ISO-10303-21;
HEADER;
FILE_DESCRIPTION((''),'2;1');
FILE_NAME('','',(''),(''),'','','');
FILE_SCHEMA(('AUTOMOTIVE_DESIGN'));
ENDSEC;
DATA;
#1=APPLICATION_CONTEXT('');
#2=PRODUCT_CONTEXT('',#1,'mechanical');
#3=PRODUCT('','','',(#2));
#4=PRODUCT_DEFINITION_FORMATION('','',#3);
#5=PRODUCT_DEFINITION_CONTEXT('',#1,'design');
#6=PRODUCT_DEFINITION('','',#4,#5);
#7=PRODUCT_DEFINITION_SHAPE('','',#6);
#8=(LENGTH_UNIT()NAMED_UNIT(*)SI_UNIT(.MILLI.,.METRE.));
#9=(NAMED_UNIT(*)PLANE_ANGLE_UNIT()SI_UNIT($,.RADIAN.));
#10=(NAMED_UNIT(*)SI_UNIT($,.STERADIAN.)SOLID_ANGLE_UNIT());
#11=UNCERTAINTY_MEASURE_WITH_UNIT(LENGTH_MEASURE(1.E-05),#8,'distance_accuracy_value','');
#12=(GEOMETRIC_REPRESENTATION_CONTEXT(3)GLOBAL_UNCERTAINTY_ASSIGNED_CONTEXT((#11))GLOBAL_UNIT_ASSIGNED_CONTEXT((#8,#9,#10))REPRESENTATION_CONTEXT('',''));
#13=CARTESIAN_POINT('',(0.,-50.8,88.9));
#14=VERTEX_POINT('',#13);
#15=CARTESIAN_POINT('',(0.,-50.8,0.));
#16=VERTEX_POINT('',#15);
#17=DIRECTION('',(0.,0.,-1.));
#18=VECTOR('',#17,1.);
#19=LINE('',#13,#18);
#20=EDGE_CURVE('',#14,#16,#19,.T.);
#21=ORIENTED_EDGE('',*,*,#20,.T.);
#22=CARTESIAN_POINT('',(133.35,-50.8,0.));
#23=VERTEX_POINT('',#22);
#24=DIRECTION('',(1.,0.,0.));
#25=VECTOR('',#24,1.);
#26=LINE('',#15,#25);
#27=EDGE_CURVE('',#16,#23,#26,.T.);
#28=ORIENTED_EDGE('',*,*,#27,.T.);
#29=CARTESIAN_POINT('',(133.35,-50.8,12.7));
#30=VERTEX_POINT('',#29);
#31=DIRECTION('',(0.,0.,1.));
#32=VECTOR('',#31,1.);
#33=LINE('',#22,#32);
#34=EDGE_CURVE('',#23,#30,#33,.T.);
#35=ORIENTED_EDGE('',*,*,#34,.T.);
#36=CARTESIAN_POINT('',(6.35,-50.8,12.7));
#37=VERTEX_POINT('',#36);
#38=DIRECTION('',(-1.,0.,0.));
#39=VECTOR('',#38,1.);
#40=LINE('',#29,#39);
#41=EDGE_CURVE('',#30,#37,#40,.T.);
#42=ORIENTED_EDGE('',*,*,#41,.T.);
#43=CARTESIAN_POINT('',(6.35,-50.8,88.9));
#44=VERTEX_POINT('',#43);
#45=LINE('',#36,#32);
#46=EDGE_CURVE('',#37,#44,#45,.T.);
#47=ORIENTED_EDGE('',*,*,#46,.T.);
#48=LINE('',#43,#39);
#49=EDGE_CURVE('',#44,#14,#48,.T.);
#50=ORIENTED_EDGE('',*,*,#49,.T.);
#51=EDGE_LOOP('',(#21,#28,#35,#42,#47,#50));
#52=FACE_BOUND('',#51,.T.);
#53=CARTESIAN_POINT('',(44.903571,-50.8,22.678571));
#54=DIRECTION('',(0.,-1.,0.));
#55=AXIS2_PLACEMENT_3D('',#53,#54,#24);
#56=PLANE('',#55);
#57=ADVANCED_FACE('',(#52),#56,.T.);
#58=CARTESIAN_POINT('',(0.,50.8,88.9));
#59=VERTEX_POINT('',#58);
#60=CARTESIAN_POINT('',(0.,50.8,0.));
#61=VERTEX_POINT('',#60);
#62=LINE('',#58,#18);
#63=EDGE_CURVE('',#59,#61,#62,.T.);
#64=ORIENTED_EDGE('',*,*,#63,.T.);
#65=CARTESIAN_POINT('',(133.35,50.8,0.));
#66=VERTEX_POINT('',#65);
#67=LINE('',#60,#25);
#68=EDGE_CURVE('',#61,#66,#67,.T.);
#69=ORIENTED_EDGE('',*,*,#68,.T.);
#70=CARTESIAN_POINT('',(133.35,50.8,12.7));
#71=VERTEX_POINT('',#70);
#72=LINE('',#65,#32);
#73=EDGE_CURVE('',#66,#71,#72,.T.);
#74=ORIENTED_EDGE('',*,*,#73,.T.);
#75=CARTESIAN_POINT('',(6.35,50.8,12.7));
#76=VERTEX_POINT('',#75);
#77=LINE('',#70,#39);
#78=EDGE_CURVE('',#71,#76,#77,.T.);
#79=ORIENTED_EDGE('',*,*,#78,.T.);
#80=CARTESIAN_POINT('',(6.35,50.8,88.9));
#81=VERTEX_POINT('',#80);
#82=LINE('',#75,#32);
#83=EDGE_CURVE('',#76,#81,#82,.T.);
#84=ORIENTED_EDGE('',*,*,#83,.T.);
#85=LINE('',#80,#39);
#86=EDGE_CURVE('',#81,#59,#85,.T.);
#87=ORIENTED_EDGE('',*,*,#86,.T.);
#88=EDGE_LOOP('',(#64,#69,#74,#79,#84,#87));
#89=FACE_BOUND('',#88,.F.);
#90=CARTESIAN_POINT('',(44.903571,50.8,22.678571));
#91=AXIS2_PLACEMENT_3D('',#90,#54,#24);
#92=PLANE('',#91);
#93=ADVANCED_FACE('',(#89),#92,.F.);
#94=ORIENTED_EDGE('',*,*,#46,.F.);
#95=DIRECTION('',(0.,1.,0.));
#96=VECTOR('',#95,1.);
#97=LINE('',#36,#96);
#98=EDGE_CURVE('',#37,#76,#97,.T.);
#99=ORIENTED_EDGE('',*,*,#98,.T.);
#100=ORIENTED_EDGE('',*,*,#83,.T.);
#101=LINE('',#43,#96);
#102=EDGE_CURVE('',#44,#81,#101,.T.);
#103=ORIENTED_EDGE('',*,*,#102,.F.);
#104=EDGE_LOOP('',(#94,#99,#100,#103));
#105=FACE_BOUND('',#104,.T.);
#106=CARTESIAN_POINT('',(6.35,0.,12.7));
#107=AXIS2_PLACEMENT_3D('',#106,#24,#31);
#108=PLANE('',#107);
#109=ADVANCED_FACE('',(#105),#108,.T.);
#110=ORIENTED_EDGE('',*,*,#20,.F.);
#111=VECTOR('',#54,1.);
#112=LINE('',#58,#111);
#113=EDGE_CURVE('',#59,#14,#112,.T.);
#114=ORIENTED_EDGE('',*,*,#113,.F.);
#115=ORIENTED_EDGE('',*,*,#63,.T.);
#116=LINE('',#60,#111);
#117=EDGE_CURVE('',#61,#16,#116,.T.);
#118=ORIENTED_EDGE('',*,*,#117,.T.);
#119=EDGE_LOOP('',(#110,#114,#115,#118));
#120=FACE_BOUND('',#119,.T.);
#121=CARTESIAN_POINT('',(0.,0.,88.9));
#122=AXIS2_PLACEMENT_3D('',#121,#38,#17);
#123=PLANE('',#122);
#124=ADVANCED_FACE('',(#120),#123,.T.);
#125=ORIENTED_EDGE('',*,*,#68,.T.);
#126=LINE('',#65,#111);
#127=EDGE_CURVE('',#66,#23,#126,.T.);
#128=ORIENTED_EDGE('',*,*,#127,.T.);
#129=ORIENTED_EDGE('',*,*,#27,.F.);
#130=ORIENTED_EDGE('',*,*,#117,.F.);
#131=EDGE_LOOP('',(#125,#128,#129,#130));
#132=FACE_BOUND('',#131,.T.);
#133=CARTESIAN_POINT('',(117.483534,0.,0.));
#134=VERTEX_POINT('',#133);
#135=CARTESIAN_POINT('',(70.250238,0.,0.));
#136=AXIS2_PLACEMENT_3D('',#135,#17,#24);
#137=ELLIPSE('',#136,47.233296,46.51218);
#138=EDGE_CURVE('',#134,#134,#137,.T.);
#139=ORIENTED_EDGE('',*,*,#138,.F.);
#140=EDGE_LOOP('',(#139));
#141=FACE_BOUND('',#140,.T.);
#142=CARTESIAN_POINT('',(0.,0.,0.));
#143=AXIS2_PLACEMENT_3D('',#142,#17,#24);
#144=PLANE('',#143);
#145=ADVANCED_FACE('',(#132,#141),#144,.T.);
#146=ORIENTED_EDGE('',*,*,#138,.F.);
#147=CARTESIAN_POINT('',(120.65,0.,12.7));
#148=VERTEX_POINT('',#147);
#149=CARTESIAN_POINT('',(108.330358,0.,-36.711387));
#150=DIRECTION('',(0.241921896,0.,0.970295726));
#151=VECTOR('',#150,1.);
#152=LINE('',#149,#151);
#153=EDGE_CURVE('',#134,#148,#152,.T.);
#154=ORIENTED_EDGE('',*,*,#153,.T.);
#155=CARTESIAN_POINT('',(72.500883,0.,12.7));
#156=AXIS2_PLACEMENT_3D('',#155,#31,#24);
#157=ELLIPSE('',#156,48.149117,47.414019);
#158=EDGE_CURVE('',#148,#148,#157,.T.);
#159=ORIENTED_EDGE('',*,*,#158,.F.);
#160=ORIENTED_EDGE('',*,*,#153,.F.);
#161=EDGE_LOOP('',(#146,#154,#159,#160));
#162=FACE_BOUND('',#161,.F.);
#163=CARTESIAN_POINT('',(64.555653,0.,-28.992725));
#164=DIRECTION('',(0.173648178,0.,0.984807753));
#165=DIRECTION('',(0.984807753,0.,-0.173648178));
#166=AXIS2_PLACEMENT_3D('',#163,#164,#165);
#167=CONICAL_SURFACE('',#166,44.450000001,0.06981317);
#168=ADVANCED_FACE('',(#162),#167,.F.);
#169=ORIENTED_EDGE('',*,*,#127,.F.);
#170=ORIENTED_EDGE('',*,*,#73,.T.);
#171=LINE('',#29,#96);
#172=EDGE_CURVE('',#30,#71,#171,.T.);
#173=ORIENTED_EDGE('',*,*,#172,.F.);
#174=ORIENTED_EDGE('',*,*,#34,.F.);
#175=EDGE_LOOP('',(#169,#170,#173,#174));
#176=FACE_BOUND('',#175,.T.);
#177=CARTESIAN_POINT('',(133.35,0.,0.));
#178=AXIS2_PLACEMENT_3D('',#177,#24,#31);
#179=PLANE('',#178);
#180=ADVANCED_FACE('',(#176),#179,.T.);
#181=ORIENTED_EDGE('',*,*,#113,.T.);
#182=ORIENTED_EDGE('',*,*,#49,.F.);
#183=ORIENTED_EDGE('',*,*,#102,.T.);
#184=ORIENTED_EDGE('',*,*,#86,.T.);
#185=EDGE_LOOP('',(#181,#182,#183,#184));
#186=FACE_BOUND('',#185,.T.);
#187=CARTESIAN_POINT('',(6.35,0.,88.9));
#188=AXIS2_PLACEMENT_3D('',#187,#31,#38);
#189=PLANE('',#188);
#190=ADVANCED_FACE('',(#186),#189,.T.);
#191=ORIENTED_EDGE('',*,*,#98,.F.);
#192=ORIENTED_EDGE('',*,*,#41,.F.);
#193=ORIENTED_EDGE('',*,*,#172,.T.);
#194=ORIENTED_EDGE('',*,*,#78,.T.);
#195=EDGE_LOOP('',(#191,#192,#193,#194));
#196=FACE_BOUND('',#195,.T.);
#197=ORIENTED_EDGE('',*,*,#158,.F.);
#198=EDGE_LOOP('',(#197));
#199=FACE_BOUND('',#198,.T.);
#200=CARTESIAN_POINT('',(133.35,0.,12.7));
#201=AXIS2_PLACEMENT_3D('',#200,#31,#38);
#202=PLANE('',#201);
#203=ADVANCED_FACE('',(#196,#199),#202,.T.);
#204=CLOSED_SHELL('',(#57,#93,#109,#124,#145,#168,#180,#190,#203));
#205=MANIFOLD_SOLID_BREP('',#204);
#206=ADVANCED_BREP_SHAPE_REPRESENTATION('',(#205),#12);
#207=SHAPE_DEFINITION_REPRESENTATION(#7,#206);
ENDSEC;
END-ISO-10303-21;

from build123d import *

# Parameters (mm, degrees)
F1_DEPTH = 50.8


with BuildPart() as f1:
    # F0 (on Front) → F1 (new body, symmetric)
    with BuildSketch(Plane.XZ):
        Polygon((6.35, 88.9), (0, 88.9), (0, 0), (133.35, 0), (133.35, 12.7), (6.35, 12.7), align=None)
    extrude(amount=F1_DEPTH, both=True)

    # F2 (on Front) → F3 (revolve, cut)
    with BuildSketch(Plane.XZ):
        Polygon((73.3769804781, 21.0355088013), (64.5556530526, -28.9927250518), (108.330357674, -36.711386549), (120.65, 12.7), align=None)
    revolve(axis=Axis((68.9663167654, 0, -3.9786081252), (0.1736481777, 0, 0.984807753)), mode=Mode.SUBTRACT)


solid = f1.part
